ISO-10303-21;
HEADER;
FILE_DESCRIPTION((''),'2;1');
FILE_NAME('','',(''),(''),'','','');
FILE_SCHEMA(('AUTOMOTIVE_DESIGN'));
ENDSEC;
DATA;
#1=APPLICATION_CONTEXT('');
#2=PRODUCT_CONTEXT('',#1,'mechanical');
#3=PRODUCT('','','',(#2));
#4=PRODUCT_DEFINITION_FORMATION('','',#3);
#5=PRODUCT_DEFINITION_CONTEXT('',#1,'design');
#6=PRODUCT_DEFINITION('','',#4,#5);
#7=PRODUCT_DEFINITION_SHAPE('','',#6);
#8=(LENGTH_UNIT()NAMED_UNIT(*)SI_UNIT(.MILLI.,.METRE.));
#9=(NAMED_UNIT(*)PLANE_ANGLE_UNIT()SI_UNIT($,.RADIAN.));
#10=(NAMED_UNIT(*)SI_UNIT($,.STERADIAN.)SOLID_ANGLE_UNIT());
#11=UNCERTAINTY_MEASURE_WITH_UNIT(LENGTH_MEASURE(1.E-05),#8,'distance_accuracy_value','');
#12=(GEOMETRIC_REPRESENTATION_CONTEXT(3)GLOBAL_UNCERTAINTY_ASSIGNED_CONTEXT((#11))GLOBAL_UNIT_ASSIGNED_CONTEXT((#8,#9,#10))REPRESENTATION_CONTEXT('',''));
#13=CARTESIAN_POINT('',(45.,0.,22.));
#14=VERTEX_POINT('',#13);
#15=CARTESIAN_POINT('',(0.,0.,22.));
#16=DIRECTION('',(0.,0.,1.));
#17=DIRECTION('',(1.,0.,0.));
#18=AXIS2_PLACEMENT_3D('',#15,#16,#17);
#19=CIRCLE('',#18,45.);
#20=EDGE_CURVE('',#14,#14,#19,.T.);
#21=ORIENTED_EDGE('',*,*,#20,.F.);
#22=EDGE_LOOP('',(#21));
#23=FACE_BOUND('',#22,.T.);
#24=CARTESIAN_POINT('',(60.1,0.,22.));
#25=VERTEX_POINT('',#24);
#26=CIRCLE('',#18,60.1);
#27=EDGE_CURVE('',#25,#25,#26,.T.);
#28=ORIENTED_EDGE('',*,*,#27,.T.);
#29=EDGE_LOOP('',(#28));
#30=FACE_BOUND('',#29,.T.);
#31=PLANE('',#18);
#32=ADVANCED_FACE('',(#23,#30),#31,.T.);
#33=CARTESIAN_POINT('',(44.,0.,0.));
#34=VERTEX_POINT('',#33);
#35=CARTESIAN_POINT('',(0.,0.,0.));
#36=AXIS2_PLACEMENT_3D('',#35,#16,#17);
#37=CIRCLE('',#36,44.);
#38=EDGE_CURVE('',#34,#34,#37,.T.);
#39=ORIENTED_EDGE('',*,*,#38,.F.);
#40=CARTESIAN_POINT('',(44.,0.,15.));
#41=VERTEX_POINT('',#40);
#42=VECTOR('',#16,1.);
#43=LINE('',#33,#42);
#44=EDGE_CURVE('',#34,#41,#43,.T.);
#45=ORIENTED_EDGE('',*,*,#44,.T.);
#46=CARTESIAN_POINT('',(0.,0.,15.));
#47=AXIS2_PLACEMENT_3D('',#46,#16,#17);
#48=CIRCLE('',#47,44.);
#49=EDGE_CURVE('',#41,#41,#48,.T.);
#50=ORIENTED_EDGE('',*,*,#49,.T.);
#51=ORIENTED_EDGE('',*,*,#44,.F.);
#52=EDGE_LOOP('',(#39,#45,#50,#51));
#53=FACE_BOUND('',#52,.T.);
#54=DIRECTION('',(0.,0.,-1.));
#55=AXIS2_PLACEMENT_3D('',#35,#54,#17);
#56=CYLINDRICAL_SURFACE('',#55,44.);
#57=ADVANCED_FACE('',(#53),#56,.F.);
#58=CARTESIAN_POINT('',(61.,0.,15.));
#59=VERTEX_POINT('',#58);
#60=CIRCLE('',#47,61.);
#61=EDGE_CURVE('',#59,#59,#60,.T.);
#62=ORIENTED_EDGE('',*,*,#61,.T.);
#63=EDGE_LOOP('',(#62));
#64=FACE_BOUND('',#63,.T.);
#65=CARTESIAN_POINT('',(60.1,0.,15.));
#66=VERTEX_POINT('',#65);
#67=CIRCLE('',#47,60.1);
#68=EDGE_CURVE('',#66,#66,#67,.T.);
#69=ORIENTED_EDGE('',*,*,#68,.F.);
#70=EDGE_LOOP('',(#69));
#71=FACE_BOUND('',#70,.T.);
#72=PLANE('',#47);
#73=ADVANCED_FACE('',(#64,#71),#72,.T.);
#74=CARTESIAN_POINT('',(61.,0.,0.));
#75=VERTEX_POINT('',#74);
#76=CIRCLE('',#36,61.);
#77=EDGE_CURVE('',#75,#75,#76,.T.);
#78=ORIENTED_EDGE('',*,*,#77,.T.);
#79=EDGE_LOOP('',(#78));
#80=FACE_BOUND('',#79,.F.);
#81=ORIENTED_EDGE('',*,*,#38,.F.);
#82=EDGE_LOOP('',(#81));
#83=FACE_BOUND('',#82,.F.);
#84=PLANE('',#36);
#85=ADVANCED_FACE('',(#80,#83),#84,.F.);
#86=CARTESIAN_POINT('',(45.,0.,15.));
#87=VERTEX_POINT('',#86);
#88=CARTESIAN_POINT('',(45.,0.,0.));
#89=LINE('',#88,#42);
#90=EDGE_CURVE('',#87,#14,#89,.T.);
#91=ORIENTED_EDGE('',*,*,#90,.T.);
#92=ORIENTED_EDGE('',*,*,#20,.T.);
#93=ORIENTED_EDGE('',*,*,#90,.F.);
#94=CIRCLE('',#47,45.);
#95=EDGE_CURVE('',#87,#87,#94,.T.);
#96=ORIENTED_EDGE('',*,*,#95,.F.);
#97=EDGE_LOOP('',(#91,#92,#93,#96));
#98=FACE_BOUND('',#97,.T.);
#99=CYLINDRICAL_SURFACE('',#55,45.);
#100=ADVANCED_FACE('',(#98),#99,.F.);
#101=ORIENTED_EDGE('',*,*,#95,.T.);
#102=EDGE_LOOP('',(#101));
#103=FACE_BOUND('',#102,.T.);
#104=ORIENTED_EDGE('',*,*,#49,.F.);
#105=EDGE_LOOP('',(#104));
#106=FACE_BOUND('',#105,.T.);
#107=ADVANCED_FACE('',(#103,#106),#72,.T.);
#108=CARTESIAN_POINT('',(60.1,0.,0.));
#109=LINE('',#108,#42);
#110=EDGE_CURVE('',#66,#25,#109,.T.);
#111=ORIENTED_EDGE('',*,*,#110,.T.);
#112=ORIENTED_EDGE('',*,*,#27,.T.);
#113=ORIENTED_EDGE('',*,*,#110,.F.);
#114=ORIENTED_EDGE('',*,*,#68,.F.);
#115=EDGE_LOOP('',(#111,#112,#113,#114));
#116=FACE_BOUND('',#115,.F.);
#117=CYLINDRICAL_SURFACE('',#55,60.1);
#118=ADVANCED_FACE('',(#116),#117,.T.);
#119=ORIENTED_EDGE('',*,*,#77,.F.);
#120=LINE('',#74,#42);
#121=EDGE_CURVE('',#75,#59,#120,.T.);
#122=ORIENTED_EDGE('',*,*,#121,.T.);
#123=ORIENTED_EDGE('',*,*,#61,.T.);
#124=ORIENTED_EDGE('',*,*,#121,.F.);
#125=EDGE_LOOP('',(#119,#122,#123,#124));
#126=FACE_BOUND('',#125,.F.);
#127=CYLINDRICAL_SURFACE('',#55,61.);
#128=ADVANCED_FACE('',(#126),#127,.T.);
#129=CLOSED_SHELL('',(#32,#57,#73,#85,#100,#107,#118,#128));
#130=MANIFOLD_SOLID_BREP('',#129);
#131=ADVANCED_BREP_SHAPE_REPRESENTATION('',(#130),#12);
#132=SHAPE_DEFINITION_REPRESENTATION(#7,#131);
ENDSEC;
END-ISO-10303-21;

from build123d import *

# Parameters (mm, degrees)
F0_R     = 60.1
F0_R_2   = 45
F1_DEPTH = 22
F0_R_3   = 61
F2_DEPTH = 15
F0_R_4   = 44
F3_DEPTH = 15


with BuildPart() as f1:
    # F0 (on Top) → F1 (new body)
    with BuildSketch(Plane.XY):
        Circle(F0_R)
        Circle(F0_R_2, mode=Mode.SUBTRACT)
    extrude(amount=F1_DEPTH)

    # F0 (on Top) → F2 (join)
    with BuildSketch(Plane.XY):
        Circle(F0_R_3)
        Circle(F0_R, mode=Mode.SUBTRACT)
    extrude(amount=F2_DEPTH)

    # F0 (on Top) → F3 (join)
    with BuildSketch(Plane.XY):
        Circle(F0_R_2)
        Circle(F0_R_4, mode=Mode.SUBTRACT)
    extrude(amount=F3_DEPTH)


solid = f1.part
